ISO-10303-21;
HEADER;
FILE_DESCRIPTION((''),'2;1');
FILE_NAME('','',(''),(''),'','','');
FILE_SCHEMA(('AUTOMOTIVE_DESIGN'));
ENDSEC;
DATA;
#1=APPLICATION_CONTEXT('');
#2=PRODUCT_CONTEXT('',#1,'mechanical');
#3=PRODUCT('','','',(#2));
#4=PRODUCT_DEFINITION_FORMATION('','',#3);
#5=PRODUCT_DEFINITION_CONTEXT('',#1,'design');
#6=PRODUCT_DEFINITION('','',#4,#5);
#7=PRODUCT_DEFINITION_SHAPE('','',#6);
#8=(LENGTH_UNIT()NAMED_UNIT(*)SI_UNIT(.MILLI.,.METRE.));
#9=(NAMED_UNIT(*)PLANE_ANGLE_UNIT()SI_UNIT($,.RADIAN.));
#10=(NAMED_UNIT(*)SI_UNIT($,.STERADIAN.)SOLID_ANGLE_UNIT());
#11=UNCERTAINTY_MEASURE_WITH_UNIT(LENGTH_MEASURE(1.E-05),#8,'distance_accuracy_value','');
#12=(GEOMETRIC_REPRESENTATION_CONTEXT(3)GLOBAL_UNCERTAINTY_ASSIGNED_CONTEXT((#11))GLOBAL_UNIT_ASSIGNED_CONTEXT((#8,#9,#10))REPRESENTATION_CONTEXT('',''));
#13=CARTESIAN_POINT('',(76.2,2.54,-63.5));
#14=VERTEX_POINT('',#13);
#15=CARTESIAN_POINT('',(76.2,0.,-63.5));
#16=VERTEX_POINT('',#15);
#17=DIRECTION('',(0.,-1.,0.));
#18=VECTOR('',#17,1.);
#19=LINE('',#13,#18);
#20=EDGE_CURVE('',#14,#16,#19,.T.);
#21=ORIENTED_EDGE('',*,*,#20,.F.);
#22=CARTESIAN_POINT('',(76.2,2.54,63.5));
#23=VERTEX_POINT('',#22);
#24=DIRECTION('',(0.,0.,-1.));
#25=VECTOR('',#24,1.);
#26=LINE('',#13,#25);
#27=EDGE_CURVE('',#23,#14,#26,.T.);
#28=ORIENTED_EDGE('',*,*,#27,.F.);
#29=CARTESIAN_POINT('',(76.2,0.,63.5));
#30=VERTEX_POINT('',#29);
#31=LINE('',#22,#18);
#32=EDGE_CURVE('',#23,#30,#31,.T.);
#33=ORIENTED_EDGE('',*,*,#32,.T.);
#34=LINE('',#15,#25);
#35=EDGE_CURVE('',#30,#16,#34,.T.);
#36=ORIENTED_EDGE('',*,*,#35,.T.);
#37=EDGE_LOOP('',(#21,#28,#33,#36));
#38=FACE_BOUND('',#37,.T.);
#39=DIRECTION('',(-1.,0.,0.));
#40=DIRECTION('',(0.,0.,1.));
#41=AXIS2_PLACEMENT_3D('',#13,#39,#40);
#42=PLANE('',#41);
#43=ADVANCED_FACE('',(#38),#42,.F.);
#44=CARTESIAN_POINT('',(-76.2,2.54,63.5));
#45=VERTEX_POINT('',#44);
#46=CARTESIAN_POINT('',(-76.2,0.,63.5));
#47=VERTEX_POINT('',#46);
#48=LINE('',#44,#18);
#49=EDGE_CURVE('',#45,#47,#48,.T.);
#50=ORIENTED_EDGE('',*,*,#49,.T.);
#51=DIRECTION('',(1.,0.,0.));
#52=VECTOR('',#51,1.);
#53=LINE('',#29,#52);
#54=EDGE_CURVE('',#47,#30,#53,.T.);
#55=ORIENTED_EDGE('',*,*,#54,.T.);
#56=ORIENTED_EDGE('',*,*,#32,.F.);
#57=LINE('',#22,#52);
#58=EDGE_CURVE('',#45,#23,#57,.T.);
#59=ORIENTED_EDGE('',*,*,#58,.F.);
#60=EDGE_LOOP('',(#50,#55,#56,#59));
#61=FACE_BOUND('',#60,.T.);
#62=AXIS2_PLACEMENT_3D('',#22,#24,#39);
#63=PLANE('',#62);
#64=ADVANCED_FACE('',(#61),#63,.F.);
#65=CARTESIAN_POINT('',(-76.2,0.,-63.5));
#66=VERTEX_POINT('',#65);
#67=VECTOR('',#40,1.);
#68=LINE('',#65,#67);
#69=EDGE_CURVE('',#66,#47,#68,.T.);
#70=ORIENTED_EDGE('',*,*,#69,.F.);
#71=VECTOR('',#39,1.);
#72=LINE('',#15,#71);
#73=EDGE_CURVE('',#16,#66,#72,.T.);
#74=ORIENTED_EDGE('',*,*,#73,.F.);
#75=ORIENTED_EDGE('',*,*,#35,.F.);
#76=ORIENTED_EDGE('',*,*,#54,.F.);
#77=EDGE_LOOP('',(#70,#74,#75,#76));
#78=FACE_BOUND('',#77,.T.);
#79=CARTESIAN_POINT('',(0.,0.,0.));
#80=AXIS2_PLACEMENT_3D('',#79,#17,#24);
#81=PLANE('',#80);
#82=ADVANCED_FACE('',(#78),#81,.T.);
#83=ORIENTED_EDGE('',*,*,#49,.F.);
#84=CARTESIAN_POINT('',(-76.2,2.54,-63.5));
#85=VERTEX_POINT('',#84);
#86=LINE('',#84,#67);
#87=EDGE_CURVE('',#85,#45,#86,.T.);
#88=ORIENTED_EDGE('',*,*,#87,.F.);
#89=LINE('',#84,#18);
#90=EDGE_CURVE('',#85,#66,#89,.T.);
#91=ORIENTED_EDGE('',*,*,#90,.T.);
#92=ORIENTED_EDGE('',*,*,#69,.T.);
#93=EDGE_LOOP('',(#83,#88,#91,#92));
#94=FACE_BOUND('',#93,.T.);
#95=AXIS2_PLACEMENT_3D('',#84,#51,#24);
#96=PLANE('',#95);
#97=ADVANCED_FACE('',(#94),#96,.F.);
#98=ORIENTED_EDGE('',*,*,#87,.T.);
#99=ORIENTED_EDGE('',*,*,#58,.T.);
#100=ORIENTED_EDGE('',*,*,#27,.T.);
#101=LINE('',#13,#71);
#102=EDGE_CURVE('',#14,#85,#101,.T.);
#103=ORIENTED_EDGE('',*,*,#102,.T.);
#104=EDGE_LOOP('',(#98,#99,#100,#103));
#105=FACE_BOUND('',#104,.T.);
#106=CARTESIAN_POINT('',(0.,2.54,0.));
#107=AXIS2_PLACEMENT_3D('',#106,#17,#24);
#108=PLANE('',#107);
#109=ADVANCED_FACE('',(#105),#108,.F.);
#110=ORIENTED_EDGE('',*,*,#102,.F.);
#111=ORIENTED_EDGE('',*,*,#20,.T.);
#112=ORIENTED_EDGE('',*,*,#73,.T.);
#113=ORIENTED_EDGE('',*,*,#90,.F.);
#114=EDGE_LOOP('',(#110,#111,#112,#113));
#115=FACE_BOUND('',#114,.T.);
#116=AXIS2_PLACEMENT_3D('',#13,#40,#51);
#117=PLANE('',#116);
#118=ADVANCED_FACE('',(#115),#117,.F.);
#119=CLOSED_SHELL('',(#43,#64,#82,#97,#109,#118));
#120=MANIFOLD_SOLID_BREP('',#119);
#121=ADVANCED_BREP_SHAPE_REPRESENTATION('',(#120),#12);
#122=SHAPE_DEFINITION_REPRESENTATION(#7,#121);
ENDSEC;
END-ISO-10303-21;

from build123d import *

# Parameters (mm, degrees)
SKETCH1_W           = 152.4
SKETCH1_H           = 127
BOSS_EXTRUDE1_DEPTH = 2.54


with BuildPart() as part:
    # Sketch1 → Boss-Extrude1 (new body)
    with BuildSketch(Plane(origin=(0, 0, 0), x_dir=(1, 0, 0), z_dir=(0, 1, 0))):
        Rectangle(SKETCH1_W, SKETCH1_H)
    extrude(amount=BOSS_EXTRUDE1_DEPTH)


solid = part.part
